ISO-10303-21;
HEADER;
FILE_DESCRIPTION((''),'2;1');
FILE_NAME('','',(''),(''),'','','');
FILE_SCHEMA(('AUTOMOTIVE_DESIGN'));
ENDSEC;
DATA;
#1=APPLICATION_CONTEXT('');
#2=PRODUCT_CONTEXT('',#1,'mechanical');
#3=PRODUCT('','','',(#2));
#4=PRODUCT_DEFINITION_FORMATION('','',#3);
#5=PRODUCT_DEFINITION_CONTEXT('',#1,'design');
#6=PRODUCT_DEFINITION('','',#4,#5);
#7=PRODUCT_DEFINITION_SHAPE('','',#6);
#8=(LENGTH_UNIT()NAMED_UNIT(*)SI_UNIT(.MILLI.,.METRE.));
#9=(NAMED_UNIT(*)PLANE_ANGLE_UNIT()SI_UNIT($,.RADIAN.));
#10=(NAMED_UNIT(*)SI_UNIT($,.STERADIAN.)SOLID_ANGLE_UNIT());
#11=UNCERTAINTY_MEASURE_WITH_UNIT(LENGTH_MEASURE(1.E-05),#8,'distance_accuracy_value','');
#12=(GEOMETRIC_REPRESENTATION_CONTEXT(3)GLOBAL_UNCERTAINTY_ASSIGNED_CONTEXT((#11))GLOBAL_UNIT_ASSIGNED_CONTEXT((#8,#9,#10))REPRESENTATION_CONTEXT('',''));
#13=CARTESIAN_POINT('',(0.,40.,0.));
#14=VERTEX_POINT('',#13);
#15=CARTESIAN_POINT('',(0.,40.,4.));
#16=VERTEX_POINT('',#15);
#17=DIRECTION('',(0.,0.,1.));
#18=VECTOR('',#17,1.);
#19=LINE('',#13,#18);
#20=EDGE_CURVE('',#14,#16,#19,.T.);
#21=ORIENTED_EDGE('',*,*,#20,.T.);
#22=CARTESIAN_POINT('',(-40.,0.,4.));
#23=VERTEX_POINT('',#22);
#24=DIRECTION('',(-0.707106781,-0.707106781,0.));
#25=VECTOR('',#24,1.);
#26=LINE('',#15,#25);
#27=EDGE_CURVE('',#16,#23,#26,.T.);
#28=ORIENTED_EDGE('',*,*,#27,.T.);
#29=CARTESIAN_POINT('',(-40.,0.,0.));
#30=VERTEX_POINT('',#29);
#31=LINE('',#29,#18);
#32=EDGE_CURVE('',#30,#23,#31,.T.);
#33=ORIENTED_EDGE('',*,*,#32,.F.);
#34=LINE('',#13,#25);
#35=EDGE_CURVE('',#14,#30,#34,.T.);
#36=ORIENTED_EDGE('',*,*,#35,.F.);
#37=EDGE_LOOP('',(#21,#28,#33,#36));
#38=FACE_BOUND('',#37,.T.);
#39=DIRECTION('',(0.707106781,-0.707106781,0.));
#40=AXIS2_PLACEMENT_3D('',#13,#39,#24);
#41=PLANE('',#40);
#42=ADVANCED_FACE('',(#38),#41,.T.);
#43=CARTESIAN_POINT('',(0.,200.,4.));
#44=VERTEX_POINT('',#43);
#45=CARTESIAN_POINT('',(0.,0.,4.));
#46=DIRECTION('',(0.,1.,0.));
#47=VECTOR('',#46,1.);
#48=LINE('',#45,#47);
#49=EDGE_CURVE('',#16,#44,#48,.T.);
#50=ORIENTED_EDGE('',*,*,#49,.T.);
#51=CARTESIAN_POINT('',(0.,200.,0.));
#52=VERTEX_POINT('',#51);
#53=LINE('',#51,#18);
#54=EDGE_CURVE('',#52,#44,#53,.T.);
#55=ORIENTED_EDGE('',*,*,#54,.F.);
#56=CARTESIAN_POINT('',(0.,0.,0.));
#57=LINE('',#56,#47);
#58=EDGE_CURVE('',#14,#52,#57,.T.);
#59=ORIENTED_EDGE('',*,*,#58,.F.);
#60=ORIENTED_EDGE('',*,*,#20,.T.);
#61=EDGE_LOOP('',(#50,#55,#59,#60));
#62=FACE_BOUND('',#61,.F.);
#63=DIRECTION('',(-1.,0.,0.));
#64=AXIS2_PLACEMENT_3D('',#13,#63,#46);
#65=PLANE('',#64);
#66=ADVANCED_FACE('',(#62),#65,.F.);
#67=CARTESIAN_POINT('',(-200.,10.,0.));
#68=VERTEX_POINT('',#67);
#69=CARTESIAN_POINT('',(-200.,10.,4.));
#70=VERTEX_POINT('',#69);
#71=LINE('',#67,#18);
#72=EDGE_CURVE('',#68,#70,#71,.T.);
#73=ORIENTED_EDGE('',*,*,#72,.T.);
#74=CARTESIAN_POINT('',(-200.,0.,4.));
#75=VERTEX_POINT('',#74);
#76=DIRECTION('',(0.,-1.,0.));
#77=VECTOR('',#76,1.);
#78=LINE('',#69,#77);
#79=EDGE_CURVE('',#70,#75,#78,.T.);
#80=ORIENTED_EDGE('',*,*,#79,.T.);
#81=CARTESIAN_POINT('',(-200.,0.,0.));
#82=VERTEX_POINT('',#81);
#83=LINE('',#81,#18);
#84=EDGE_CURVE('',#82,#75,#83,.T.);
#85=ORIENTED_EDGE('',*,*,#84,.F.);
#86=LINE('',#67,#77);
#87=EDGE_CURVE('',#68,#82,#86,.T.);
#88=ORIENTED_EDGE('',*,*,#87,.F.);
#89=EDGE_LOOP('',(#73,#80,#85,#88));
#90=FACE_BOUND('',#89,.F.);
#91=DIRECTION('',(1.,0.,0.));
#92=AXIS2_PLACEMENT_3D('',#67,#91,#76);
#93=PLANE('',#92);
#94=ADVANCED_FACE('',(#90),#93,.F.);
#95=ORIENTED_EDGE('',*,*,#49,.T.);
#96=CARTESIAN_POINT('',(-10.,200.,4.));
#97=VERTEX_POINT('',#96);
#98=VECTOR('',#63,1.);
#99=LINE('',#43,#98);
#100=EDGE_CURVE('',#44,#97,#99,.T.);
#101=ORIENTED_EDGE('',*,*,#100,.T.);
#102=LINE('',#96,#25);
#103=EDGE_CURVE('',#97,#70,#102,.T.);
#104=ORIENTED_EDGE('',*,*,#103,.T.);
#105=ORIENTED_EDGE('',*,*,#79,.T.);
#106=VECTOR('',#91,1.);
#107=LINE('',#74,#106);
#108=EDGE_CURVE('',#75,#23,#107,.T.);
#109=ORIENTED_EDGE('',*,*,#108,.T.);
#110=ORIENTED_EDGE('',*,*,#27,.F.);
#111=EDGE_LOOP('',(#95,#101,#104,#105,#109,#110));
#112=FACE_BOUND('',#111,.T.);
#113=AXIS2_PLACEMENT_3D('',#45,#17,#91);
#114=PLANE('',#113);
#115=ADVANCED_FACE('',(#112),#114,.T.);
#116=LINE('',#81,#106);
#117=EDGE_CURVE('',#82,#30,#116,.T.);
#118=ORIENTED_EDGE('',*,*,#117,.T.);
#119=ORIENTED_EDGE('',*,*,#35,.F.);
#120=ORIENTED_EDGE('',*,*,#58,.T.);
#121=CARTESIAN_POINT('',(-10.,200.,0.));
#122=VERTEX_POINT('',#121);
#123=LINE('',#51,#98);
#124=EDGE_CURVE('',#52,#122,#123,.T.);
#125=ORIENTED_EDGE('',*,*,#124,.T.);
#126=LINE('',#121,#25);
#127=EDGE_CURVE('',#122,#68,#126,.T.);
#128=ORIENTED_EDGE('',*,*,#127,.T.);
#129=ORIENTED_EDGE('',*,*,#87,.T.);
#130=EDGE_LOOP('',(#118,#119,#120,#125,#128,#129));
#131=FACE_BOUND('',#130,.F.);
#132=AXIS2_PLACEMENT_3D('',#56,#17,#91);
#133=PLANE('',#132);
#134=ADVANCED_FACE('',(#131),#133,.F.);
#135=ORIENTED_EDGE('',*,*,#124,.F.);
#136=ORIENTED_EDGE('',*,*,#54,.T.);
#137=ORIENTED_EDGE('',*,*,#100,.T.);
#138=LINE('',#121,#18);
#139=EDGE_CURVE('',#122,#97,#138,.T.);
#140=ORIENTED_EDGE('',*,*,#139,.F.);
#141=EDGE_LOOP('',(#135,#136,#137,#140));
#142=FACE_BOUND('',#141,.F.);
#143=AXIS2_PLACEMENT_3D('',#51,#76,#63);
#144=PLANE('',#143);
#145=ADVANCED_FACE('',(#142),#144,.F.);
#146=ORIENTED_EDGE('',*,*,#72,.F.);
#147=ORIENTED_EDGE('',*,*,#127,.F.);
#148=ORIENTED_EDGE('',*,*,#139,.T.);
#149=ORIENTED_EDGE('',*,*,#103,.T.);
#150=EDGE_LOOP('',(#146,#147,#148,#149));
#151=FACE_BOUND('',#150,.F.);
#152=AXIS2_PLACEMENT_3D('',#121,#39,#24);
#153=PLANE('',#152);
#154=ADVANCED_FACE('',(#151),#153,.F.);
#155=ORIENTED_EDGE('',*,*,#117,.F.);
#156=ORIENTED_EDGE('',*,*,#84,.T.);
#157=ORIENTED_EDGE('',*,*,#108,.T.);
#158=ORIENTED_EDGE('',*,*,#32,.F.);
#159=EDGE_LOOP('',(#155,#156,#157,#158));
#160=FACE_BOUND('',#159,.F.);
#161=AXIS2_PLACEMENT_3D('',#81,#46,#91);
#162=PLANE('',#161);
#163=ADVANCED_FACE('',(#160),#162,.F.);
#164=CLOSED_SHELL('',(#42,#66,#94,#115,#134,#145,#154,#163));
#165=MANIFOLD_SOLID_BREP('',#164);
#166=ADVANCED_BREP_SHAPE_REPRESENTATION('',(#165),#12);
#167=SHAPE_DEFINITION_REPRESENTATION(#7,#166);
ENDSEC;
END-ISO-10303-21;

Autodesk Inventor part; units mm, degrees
ref_plane "YZ Plane" through (0, 0, 0) normal (1, 0, 0) x (0, 1, 0)
ref_plane "XZ Plane" through (0, 0, 0) normal (0, 1, 0) x (-1, 0, 0)
ref_plane "XY Plane" through (0, 0, 0) normal (0, 0, 1) x (1, 0, 0)
sketch "Sketch1" plane through (0, 0, 0) normal (0, 0, 1) x (1, 0, 0)
  line L0 (0, 0) -> (0, 200)
  line L1 (0, 200) -> (-10, 200)
  line L2 (-10, 200) -> (-200, 10)
  line L3 (-200, 10) -> (-200, 0)
  line L4 (-200, 0) -> (0, 0)
  line L5 (0, 40) -> (-40, 0)
  dimension "d162" = 200
  dimension "d163" = 10
  dimension "d164" = 40
  dimension "d165" = 40
extrude "Plate5" add sketch "Sketch1" along normal blind 4 contours L5 L4 L3 L2 L1 L0
properties part number "PNS-077 stretch plate" material "Stainless Steel"
